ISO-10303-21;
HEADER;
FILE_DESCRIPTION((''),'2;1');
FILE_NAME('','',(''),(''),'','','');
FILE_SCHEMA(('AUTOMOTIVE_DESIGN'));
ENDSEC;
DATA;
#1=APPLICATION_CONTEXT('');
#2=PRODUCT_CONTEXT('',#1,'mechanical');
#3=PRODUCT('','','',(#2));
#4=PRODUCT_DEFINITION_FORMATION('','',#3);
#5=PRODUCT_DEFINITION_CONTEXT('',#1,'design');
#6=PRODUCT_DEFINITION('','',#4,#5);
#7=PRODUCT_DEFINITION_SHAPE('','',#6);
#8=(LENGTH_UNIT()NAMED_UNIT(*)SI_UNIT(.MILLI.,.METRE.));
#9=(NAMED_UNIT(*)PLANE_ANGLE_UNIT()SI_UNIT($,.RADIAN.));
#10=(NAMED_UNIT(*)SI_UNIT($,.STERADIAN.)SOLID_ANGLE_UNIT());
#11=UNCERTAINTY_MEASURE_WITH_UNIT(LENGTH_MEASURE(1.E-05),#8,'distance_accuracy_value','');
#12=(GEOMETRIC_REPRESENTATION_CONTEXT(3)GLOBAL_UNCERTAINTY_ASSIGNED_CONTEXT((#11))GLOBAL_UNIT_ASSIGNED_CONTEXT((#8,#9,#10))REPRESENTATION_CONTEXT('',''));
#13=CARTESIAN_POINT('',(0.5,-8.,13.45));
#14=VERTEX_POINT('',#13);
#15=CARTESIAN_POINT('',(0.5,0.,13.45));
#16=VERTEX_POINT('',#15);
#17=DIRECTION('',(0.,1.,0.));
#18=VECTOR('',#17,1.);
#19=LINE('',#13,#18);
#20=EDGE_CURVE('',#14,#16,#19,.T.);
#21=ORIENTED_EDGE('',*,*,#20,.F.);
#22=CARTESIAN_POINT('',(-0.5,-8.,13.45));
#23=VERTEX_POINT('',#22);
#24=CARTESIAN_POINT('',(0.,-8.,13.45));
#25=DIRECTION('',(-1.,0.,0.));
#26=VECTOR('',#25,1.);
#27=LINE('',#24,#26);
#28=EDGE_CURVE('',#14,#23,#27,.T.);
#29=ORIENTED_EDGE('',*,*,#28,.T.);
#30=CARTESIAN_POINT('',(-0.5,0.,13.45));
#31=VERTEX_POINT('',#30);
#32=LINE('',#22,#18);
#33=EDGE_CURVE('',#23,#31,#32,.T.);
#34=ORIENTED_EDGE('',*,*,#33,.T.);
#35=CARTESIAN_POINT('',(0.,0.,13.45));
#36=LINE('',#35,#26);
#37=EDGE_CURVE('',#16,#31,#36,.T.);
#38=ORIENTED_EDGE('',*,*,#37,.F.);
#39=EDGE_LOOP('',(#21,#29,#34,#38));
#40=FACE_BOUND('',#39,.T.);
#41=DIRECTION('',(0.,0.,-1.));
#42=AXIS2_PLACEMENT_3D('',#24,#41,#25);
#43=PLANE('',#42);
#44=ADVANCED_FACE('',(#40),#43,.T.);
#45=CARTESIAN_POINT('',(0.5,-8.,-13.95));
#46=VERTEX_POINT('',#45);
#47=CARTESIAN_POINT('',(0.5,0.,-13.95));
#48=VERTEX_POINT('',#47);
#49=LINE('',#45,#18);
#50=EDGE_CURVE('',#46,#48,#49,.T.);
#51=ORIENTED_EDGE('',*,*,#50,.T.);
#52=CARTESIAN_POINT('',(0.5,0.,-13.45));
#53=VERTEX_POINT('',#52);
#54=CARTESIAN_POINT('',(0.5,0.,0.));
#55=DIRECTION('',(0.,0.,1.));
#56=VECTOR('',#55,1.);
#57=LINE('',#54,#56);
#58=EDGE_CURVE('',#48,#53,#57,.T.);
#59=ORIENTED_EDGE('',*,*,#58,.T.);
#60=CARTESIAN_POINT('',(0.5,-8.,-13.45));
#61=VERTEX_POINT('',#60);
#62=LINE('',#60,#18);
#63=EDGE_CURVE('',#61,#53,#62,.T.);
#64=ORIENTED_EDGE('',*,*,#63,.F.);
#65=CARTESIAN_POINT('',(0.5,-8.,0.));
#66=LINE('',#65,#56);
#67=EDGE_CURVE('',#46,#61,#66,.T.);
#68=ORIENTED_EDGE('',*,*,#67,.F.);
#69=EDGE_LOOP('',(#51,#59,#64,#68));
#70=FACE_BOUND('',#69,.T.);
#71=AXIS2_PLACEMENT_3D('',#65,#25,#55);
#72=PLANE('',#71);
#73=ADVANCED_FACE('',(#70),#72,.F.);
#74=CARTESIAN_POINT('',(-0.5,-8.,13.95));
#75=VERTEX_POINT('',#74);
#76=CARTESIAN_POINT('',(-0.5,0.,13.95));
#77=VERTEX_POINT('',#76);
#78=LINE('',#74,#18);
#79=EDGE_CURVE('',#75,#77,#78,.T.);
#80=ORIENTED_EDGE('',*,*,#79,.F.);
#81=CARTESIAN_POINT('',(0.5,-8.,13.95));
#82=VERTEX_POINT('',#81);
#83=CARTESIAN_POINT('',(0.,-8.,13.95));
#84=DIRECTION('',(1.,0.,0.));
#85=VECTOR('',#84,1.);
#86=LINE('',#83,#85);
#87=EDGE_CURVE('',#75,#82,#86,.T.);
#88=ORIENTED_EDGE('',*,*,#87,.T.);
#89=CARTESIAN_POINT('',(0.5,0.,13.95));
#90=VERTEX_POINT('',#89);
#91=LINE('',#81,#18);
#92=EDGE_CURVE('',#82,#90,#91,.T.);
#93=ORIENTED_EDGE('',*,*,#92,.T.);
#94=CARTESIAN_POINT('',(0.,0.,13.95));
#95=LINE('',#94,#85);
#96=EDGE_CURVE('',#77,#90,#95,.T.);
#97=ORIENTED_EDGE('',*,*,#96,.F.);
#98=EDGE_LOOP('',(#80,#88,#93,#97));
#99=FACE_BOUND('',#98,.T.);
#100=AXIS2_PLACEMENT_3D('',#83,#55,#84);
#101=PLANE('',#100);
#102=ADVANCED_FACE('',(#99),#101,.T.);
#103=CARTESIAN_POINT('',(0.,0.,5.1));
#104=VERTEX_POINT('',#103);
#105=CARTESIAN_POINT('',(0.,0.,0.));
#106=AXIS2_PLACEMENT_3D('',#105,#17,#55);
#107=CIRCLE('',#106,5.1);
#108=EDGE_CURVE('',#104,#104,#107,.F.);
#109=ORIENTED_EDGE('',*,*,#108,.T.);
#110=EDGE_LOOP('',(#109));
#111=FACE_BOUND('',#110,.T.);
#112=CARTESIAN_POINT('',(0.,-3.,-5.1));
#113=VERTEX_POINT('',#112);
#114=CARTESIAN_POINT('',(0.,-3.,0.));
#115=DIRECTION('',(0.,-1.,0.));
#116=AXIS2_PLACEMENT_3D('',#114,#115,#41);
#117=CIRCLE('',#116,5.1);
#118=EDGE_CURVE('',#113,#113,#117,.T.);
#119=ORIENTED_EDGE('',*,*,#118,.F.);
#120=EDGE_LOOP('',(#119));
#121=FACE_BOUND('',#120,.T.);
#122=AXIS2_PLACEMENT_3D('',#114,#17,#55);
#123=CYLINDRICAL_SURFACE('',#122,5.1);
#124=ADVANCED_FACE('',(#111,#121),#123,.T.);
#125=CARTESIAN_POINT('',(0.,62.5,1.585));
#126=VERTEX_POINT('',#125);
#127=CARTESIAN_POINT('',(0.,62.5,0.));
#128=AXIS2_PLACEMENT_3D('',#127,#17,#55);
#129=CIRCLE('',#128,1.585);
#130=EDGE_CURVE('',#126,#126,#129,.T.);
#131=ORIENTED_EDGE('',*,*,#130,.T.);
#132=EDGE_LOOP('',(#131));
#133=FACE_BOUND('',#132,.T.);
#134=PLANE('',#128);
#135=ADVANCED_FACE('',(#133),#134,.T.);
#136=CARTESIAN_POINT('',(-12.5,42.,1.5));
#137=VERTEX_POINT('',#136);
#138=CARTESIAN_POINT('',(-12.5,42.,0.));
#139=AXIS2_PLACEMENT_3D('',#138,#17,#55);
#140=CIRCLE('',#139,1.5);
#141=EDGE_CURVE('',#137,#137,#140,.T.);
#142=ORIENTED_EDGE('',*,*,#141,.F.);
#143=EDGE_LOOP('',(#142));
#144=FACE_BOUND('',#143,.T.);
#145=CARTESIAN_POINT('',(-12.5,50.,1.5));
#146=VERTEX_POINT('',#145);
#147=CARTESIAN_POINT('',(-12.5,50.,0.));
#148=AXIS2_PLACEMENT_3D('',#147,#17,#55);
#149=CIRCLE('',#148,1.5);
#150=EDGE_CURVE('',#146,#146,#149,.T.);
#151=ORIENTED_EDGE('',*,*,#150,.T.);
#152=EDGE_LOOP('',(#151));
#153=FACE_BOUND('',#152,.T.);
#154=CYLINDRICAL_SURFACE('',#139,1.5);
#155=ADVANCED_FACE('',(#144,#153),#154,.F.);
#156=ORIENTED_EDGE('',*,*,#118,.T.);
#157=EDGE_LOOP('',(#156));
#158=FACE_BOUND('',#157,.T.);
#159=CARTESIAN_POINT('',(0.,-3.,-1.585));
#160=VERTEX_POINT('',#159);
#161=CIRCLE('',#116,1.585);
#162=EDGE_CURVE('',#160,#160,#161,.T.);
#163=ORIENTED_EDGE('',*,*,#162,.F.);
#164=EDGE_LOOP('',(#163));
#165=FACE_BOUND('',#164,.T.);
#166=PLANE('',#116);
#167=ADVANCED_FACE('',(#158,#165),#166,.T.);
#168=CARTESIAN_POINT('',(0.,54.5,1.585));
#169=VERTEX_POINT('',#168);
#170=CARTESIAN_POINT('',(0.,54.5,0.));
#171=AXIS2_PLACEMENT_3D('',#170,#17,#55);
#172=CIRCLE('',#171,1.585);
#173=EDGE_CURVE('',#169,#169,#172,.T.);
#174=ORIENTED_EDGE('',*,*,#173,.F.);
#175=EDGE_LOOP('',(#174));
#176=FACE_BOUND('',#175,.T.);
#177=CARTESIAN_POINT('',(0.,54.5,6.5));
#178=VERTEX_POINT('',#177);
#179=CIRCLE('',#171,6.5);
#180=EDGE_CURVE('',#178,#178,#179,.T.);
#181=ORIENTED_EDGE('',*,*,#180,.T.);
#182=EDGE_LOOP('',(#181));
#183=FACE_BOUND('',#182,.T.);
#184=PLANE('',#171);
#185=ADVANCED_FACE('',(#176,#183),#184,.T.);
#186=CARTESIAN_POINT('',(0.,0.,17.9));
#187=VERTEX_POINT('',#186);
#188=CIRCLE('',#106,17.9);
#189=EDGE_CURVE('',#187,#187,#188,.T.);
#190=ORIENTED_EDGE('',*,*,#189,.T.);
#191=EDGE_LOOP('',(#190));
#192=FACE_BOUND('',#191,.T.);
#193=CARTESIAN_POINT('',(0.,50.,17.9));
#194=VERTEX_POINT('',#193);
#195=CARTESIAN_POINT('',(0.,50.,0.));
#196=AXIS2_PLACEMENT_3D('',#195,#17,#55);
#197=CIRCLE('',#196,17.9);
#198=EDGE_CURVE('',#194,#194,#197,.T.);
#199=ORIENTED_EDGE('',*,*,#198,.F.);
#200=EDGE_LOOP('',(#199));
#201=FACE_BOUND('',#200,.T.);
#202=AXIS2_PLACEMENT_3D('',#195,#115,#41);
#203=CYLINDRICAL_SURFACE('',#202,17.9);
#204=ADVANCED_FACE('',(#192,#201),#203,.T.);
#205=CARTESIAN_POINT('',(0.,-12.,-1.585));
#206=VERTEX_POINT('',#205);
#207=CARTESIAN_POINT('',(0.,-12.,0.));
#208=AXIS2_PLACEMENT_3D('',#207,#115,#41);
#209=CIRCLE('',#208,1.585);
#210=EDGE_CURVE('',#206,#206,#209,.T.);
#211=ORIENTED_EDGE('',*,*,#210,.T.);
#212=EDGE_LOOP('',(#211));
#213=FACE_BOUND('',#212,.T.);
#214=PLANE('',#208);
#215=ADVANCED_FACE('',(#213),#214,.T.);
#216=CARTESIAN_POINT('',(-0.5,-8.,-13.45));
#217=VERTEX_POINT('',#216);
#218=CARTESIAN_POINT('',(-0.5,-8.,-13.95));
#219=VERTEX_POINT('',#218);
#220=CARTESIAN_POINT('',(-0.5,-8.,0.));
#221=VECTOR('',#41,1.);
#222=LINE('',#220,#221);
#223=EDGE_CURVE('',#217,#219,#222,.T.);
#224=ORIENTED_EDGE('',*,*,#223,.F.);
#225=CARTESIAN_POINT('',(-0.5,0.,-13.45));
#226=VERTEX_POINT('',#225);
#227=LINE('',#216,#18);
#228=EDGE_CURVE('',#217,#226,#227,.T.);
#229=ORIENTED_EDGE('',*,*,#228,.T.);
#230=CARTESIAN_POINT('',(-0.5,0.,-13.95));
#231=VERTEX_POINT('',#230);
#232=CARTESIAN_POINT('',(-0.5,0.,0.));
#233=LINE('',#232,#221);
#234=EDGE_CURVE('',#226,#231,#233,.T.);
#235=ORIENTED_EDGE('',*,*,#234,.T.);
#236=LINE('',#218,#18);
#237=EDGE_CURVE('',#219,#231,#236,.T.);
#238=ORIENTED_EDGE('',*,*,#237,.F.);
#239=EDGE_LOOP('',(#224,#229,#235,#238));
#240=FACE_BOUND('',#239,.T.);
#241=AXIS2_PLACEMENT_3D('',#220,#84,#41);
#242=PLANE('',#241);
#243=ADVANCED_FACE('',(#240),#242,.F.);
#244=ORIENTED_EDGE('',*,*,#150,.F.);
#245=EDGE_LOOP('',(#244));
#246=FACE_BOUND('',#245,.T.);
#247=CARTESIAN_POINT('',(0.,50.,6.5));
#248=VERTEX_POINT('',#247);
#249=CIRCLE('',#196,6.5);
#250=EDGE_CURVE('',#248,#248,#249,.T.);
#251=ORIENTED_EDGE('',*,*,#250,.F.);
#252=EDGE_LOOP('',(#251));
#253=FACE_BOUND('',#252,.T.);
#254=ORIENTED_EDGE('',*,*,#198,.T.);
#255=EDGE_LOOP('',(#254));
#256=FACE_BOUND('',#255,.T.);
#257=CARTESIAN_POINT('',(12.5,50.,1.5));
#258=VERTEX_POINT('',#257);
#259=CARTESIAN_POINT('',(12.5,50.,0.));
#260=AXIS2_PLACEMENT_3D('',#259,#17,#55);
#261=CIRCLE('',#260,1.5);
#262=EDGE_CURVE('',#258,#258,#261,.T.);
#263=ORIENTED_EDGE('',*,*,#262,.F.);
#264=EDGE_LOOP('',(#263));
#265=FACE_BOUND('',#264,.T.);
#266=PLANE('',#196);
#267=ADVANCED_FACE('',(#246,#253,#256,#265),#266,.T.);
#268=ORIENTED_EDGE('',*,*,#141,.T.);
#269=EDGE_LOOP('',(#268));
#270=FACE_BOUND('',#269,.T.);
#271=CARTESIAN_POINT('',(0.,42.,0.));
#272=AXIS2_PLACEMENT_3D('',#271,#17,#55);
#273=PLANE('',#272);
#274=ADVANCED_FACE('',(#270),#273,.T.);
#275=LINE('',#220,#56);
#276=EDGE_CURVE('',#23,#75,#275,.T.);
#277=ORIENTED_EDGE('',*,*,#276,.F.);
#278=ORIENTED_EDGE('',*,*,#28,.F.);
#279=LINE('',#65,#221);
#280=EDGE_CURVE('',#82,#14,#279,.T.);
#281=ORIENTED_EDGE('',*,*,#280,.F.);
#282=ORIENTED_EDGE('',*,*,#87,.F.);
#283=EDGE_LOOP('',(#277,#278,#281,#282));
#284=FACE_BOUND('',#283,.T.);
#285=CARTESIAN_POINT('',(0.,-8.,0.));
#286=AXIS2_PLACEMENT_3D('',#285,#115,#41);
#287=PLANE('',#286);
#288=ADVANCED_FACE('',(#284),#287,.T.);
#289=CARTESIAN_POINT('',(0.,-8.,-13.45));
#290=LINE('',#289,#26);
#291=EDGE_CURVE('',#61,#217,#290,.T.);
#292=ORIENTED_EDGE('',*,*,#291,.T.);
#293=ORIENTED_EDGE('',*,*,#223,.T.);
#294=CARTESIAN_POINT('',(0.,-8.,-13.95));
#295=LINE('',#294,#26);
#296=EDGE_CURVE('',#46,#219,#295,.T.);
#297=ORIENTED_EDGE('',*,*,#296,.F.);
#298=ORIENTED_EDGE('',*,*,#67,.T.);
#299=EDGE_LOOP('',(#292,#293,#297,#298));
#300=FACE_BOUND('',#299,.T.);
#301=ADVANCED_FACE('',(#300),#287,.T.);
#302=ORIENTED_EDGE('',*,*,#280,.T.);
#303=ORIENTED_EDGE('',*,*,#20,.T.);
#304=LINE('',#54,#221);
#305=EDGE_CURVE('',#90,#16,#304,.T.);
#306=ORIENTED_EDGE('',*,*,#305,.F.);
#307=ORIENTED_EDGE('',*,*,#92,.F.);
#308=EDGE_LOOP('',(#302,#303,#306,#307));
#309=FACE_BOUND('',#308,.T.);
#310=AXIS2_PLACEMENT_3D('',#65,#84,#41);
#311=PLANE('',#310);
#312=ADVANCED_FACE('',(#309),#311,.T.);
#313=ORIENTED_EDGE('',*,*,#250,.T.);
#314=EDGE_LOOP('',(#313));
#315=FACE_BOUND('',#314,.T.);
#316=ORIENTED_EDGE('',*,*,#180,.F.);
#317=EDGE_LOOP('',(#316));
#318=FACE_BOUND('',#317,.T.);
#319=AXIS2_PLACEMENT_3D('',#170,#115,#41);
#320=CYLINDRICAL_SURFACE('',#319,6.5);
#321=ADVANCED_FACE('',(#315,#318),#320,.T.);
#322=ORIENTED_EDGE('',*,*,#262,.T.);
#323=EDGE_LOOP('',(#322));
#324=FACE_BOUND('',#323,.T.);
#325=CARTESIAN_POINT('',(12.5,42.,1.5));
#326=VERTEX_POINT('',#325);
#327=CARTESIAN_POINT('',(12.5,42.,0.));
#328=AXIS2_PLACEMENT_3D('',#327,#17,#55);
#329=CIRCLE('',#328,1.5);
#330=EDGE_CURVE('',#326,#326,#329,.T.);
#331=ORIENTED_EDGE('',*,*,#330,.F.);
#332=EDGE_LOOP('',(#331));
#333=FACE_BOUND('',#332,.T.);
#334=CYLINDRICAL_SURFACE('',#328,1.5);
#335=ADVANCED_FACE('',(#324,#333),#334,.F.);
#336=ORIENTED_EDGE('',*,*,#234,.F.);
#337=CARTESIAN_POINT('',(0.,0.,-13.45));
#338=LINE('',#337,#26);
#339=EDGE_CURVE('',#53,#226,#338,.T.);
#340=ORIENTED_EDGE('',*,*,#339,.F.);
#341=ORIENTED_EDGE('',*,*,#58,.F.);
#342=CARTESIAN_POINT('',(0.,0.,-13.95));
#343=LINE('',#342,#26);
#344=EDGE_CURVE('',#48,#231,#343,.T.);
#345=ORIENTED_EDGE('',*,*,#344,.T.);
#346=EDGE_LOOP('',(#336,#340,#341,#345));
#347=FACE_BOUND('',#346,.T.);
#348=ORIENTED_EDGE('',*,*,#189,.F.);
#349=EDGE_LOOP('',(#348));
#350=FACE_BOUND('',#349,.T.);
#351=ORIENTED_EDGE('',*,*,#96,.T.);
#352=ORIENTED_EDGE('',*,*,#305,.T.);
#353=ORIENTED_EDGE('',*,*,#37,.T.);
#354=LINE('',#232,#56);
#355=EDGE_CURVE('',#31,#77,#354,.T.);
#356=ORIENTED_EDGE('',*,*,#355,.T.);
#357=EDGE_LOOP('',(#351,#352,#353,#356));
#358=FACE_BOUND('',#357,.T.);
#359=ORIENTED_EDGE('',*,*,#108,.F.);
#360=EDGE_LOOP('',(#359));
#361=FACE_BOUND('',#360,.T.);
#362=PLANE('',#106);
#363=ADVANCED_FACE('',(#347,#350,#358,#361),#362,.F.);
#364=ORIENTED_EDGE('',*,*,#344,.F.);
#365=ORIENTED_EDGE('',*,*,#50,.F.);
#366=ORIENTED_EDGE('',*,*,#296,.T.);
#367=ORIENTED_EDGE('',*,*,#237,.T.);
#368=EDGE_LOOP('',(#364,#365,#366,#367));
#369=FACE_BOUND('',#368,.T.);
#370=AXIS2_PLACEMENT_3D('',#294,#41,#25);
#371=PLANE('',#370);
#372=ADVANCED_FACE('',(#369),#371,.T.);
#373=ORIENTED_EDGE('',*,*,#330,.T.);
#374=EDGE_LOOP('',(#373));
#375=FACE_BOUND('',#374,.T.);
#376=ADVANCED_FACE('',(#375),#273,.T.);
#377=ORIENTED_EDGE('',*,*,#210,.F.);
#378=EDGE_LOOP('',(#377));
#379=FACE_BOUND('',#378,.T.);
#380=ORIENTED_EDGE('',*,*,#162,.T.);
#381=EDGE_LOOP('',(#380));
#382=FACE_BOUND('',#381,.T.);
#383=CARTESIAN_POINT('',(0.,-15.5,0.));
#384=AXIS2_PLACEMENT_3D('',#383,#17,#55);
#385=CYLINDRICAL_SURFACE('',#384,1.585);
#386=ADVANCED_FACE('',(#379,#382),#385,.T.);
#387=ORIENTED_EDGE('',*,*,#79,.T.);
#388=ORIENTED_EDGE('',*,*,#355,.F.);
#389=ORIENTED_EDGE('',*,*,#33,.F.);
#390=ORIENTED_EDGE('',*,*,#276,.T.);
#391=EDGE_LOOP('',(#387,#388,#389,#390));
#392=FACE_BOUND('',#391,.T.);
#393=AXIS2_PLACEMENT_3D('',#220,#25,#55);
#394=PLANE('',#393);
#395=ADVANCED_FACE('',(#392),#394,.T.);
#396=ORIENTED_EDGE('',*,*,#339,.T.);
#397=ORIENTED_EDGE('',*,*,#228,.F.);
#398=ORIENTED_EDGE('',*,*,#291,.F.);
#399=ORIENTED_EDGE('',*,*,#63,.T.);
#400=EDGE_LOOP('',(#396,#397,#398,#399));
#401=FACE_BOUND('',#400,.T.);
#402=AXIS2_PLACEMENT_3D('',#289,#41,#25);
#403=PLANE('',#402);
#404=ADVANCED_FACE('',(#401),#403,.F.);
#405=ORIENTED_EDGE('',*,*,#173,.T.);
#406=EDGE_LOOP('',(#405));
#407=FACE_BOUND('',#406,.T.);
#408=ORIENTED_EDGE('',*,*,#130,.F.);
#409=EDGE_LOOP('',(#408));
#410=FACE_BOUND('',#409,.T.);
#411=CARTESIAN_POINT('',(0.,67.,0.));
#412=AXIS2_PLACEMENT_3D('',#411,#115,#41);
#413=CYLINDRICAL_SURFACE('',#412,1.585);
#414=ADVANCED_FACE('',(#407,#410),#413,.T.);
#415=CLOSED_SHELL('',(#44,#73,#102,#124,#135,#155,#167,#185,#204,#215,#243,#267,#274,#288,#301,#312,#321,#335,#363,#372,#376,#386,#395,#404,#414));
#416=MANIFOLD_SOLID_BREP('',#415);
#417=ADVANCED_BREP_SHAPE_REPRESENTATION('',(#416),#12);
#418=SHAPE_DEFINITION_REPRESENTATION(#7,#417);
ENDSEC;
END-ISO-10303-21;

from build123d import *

# Parameters (mm, degrees)
SKETCH1_R           = 17.9
BOSS_EXTRUDE1_DEPTH = 50
SKETCH2_R           = 6.5
BOSS_EXTRUDE2_DEPTH = 4.5
SKETCH3_R           = 1.585
BOSS_EXTRUDE3_DEPTH = 12.5
SKETCH4_R           = 5.1
BOSS_EXTRUDE4_DEPTH = 3
BOSS_EXTRUDE5_START = 12.5
SKETCH5_R           = 1.585
BOSS_EXTRUDE5_DEPTH = 12.5
BOSS_EXTRUDE6_DEPTH = 8
SKETCH7_R           = 1.5
CUT_EXTRUDE1_DEPTH  = 8
CUT_EXTRUDE2_START  = -4.5
SKETCH8_R           = 1.585
CUT_EXTRUDE2_DEPTH  = 4.5
SKETCH9_R           = 1.585
CUT_EXTRUDE3_DEPTH  = 3.5


with BuildPart() as part:
    # Sketch1 → Boss-Extrude1 (new body)
    with BuildSketch(Plane(origin=(0, 0, 0), x_dir=(1, 0, 0), z_dir=(0, 1, 0))):
        with Locations(Location((0, 0, 0), (0, 0, 270))):
            Circle(SKETCH1_R)
    extrude(amount=BOSS_EXTRUDE1_DEPTH)

    # Sketch2 → Boss-Extrude2 (add)
    with BuildSketch(Plane(origin=(0, 50, 0), x_dir=(1, 0, 0), z_dir=(0, 1, 0))):
        with Locations(Location((0, 0, 0), (0, 0, 270))):
            Circle(SKETCH2_R)
    extrude(amount=BOSS_EXTRUDE2_DEPTH)

    # Sketch3 → Boss-Extrude3 (add)
    with BuildSketch(Plane(origin=(0, 54.5, 0), x_dir=(1, 0, 0), z_dir=(0, 1, 0))):
        with Locations(Location((0, 0, 0), (0, 0, 270))):
            Circle(SKETCH3_R)
    extrude(amount=BOSS_EXTRUDE3_DEPTH)

    # Sketch4 → Boss-Extrude4 (add)
    with BuildSketch(Plane.XZ):
        with Locations(Location((0, 0, 0), (0, 0, 90))):
            Circle(SKETCH4_R)
    extrude(amount=BOSS_EXTRUDE4_DEPTH)

    # Sketch5 → Boss-Extrude5 (add)
    with BuildSketch(Plane(origin=(0, -3, 0), x_dir=(-1, 0, 0), z_dir=(0, -1, 0)).offset(BOSS_EXTRUDE5_START)):
        with Locations(Location((0, 0, 0), (0, 0, 270))):
            Circle(SKETCH5_R)
    extrude(amount=-BOSS_EXTRUDE5_DEPTH)

    # Sketch6 → Boss-Extrude6 (add)
    with BuildSketch(Plane.XZ):
        Polygon((0, -13.95), (0, -13.7), (0, -13.45), (-0.5, -13.45), (-0.5, -13.95), align=None)
        Polygon((0, -13.45), (0, -13.7), (0, -13.95), (0.5, -13.95), (0.5, -13.45), align=None)
        Polygon((0, 13.45), (0, 13.7), (0, 13.95), (-0.5, 13.95), (-0.5, 13.45), align=None)
        Polygon((0, 13.95), (0, 13.7), (0, 13.45), (0.5, 13.45), (0.5, 13.95), align=None)
    extrude(amount=BOSS_EXTRUDE6_DEPTH)

    # Sketch7 → Cut-Extrude1 (cut)
    with BuildSketch(Plane(origin=(0, 50, 0), x_dir=(1, 0, 0), z_dir=(0, 1, 0))):
        with Locations(Location((12.5, 0, 0), (0, 0, 270))):
            Circle(SKETCH7_R)
        with Locations(Location((-12.5, 0, 0), (0, 0, 270))):
            Circle(SKETCH7_R)
    extrude(amount=-CUT_EXTRUDE1_DEPTH, mode=Mode.SUBTRACT)

    # Sketch8 → Cut-Extrude2 (cut)
    with BuildSketch(Plane(origin=(0, 67, 0), x_dir=(1, 0, 0), z_dir=(0, 1, 0)).offset(CUT_EXTRUDE2_START)):
        with Locations(Location((0, 0, 0), (0, 0, 270))):
            Circle(SKETCH8_R)
    extrude(amount=CUT_EXTRUDE2_DEPTH, mode=Mode.SUBTRACT)

    # Sketch9 → Cut-Extrude3 (cut)
    with BuildSketch(Plane.XZ.offset(15.5)):
        with Locations(Location((0, 0, 0), (0, 0, 270))):
            Circle(SKETCH9_R)
    extrude(amount=-CUT_EXTRUDE3_DEPTH, mode=Mode.SUBTRACT)


solid = part.part
